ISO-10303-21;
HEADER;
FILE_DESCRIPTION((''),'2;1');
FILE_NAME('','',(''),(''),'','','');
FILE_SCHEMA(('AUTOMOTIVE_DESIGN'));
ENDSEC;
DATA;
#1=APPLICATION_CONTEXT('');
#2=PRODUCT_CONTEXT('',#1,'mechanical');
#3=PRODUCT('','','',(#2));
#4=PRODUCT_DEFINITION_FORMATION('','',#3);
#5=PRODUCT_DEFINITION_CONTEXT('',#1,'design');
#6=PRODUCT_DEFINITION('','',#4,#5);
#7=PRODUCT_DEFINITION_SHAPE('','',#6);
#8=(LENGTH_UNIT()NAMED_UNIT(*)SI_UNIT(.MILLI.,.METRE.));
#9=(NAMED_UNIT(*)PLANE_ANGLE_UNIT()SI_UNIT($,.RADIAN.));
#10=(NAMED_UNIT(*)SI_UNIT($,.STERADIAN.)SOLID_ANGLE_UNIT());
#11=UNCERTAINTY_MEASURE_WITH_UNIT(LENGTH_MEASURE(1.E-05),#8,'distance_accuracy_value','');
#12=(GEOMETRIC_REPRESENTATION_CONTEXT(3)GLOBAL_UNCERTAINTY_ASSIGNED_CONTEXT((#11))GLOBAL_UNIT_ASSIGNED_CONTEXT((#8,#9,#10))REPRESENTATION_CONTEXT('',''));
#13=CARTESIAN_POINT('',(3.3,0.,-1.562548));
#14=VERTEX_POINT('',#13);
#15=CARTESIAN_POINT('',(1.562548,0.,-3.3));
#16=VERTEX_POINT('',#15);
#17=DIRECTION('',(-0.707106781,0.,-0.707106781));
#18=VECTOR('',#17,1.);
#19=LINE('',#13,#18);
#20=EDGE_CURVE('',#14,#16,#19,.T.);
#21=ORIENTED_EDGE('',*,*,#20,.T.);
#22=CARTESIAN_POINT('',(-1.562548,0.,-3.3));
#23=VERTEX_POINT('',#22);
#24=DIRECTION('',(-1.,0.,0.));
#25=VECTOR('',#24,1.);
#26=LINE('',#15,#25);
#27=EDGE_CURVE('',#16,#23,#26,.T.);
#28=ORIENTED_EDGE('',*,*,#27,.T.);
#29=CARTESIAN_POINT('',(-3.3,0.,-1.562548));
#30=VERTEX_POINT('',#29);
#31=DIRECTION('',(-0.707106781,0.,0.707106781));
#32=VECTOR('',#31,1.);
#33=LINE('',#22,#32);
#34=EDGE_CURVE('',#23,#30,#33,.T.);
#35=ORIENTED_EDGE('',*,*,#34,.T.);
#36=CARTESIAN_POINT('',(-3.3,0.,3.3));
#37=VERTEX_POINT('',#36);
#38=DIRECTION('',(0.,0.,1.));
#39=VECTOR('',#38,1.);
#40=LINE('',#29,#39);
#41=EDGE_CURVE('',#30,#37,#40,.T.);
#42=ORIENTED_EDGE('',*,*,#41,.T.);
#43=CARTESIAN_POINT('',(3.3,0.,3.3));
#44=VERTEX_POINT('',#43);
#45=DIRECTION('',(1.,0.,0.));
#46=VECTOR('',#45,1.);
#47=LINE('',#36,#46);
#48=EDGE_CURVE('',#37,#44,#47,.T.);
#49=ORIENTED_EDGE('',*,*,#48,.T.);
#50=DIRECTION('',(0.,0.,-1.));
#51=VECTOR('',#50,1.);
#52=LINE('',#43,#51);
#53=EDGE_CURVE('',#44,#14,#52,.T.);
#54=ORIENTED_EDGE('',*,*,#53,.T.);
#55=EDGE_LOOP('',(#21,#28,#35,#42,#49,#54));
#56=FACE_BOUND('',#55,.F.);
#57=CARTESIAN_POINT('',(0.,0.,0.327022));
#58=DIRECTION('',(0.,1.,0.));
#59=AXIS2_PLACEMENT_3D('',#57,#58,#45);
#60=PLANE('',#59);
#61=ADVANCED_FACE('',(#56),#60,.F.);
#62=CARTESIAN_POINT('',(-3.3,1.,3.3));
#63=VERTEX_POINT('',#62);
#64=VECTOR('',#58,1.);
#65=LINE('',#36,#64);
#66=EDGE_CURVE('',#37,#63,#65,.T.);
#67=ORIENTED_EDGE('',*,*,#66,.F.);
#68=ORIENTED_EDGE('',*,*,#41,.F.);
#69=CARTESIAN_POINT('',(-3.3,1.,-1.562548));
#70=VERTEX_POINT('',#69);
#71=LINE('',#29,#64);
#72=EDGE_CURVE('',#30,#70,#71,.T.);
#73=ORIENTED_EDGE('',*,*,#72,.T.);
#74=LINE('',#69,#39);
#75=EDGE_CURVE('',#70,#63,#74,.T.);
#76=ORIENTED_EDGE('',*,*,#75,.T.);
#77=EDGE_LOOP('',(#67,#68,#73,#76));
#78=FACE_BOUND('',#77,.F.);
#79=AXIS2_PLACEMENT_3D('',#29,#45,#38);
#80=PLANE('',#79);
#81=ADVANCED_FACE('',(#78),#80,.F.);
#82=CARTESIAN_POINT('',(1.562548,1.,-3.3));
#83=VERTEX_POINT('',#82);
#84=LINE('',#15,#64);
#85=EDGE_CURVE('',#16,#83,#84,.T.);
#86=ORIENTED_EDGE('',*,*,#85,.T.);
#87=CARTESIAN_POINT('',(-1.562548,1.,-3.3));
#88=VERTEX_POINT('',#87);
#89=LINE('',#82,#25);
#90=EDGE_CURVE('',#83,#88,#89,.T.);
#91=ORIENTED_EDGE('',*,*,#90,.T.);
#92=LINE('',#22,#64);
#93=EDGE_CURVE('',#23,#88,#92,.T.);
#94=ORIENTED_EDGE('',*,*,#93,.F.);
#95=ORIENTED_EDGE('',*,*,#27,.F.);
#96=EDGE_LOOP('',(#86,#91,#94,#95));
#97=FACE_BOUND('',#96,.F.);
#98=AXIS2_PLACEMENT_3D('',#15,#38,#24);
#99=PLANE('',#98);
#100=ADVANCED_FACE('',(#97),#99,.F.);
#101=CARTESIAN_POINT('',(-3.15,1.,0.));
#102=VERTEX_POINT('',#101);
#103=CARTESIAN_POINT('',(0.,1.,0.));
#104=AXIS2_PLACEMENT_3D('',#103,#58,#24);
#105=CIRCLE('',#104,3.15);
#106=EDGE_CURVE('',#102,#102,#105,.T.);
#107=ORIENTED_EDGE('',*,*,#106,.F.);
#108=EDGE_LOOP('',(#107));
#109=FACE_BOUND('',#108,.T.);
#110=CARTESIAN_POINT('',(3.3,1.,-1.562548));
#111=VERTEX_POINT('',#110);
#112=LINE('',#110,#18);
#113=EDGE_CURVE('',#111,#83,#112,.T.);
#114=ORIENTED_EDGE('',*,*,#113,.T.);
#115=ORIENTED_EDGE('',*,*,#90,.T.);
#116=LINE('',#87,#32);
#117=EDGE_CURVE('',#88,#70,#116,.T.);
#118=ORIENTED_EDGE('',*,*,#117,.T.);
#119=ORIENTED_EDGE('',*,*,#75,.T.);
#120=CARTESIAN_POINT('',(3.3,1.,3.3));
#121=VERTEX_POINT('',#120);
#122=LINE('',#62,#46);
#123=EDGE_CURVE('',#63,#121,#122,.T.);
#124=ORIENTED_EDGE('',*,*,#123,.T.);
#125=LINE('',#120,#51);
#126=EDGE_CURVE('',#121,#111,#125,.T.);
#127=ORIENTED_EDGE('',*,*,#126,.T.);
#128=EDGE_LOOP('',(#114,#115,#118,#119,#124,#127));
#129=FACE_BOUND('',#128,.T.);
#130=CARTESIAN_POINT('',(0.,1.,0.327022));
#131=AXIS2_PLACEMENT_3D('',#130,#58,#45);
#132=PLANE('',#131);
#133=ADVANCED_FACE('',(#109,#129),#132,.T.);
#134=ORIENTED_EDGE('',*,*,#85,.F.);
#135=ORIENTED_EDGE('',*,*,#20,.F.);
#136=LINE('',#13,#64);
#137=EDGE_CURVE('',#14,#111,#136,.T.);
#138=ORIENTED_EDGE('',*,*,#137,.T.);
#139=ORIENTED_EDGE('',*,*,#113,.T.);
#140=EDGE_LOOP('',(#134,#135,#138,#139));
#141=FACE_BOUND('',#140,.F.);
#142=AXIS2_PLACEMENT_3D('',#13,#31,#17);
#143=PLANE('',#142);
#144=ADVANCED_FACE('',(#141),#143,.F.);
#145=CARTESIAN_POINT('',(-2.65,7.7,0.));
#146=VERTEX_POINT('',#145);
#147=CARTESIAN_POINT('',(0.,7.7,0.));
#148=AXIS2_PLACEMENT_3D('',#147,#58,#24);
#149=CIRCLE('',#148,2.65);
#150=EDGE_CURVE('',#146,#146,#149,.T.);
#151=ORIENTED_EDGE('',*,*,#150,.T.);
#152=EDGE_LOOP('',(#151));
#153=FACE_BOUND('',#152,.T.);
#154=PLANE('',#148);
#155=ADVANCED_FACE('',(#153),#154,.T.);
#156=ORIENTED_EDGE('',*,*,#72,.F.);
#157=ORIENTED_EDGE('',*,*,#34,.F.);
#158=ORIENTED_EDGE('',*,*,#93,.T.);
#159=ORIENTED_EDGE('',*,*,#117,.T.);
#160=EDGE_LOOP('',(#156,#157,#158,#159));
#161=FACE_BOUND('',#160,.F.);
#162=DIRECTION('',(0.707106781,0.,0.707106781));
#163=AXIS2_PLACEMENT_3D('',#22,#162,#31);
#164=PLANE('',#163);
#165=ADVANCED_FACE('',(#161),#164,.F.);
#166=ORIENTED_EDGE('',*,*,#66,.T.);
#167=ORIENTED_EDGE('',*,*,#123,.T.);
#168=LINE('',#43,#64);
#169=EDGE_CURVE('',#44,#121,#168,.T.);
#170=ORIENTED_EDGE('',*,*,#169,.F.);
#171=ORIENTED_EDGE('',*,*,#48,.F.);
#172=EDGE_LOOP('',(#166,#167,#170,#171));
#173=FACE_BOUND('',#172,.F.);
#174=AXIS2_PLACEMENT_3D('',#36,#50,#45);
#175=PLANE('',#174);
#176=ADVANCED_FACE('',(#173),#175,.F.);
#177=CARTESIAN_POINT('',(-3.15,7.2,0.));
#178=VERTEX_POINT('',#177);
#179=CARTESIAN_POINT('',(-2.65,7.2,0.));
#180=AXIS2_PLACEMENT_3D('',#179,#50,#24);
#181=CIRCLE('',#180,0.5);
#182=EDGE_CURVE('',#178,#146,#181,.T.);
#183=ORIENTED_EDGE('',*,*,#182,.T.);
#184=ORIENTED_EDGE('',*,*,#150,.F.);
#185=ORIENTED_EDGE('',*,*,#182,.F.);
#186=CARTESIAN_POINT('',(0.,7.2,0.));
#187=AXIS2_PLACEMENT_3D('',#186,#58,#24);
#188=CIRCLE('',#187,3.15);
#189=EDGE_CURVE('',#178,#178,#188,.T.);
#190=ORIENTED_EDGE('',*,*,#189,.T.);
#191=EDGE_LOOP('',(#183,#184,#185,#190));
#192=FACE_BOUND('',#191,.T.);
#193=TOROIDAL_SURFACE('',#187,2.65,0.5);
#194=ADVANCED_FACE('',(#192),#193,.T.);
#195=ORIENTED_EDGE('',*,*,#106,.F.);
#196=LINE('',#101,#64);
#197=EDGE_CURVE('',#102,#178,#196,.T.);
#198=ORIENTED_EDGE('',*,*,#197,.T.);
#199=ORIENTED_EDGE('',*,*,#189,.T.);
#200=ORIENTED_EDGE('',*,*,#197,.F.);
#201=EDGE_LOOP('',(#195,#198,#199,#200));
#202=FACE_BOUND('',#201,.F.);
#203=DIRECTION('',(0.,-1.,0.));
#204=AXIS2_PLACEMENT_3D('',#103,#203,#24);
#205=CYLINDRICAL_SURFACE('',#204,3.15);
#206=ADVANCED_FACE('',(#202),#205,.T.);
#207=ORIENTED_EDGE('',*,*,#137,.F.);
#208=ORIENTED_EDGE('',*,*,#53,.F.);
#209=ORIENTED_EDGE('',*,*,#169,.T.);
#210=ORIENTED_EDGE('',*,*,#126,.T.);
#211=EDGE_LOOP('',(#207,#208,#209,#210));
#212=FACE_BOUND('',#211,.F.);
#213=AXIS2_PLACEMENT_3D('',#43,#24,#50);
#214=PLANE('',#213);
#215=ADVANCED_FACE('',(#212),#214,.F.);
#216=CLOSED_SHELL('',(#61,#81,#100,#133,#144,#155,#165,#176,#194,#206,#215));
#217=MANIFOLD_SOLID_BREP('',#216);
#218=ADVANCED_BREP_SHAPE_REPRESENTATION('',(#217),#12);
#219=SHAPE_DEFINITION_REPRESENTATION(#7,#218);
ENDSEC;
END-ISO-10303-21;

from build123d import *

# Parameters (mm, degrees)
BOSS_EXTRUDE1_DEPTH = 1
SKETCH2_R           = 3.15
BOSS_EXTRUDE2_DEPTH = 6.7
FILLET1_R           = 0.5


with BuildPart() as part:
    # Sketch1 → Boss-Extrude1 (new body)
    with BuildSketch(Plane(origin=(0, 0, 0), x_dir=(1, 0, 0), z_dir=(0, 1, 0))):
        Polygon((-1.562548269, 3.3), (-3.3, 1.562548269), (-3.3, -3.3), (3.3, -3.3), (3.3, 1.562548269), (1.562548269, 3.3), align=None)
    extrude(amount=BOSS_EXTRUDE1_DEPTH)

    # Sketch2 → Boss-Extrude2 (add)
    with BuildSketch(Plane(origin=(0, 1, 0), x_dir=(-1, 0, 0), z_dir=(0, 1, 0))):
        Circle(SKETCH2_R)
    extrude(amount=BOSS_EXTRUDE2_DEPTH)

    # Fillet1
    fillet1_edges = [part.edges().sort_by_distance(p)[0] for p in [
        (3.15, 7.7, 0),
    ]]
    fillet(fillet1_edges, radius=FILLET1_R)


solid = part.part
